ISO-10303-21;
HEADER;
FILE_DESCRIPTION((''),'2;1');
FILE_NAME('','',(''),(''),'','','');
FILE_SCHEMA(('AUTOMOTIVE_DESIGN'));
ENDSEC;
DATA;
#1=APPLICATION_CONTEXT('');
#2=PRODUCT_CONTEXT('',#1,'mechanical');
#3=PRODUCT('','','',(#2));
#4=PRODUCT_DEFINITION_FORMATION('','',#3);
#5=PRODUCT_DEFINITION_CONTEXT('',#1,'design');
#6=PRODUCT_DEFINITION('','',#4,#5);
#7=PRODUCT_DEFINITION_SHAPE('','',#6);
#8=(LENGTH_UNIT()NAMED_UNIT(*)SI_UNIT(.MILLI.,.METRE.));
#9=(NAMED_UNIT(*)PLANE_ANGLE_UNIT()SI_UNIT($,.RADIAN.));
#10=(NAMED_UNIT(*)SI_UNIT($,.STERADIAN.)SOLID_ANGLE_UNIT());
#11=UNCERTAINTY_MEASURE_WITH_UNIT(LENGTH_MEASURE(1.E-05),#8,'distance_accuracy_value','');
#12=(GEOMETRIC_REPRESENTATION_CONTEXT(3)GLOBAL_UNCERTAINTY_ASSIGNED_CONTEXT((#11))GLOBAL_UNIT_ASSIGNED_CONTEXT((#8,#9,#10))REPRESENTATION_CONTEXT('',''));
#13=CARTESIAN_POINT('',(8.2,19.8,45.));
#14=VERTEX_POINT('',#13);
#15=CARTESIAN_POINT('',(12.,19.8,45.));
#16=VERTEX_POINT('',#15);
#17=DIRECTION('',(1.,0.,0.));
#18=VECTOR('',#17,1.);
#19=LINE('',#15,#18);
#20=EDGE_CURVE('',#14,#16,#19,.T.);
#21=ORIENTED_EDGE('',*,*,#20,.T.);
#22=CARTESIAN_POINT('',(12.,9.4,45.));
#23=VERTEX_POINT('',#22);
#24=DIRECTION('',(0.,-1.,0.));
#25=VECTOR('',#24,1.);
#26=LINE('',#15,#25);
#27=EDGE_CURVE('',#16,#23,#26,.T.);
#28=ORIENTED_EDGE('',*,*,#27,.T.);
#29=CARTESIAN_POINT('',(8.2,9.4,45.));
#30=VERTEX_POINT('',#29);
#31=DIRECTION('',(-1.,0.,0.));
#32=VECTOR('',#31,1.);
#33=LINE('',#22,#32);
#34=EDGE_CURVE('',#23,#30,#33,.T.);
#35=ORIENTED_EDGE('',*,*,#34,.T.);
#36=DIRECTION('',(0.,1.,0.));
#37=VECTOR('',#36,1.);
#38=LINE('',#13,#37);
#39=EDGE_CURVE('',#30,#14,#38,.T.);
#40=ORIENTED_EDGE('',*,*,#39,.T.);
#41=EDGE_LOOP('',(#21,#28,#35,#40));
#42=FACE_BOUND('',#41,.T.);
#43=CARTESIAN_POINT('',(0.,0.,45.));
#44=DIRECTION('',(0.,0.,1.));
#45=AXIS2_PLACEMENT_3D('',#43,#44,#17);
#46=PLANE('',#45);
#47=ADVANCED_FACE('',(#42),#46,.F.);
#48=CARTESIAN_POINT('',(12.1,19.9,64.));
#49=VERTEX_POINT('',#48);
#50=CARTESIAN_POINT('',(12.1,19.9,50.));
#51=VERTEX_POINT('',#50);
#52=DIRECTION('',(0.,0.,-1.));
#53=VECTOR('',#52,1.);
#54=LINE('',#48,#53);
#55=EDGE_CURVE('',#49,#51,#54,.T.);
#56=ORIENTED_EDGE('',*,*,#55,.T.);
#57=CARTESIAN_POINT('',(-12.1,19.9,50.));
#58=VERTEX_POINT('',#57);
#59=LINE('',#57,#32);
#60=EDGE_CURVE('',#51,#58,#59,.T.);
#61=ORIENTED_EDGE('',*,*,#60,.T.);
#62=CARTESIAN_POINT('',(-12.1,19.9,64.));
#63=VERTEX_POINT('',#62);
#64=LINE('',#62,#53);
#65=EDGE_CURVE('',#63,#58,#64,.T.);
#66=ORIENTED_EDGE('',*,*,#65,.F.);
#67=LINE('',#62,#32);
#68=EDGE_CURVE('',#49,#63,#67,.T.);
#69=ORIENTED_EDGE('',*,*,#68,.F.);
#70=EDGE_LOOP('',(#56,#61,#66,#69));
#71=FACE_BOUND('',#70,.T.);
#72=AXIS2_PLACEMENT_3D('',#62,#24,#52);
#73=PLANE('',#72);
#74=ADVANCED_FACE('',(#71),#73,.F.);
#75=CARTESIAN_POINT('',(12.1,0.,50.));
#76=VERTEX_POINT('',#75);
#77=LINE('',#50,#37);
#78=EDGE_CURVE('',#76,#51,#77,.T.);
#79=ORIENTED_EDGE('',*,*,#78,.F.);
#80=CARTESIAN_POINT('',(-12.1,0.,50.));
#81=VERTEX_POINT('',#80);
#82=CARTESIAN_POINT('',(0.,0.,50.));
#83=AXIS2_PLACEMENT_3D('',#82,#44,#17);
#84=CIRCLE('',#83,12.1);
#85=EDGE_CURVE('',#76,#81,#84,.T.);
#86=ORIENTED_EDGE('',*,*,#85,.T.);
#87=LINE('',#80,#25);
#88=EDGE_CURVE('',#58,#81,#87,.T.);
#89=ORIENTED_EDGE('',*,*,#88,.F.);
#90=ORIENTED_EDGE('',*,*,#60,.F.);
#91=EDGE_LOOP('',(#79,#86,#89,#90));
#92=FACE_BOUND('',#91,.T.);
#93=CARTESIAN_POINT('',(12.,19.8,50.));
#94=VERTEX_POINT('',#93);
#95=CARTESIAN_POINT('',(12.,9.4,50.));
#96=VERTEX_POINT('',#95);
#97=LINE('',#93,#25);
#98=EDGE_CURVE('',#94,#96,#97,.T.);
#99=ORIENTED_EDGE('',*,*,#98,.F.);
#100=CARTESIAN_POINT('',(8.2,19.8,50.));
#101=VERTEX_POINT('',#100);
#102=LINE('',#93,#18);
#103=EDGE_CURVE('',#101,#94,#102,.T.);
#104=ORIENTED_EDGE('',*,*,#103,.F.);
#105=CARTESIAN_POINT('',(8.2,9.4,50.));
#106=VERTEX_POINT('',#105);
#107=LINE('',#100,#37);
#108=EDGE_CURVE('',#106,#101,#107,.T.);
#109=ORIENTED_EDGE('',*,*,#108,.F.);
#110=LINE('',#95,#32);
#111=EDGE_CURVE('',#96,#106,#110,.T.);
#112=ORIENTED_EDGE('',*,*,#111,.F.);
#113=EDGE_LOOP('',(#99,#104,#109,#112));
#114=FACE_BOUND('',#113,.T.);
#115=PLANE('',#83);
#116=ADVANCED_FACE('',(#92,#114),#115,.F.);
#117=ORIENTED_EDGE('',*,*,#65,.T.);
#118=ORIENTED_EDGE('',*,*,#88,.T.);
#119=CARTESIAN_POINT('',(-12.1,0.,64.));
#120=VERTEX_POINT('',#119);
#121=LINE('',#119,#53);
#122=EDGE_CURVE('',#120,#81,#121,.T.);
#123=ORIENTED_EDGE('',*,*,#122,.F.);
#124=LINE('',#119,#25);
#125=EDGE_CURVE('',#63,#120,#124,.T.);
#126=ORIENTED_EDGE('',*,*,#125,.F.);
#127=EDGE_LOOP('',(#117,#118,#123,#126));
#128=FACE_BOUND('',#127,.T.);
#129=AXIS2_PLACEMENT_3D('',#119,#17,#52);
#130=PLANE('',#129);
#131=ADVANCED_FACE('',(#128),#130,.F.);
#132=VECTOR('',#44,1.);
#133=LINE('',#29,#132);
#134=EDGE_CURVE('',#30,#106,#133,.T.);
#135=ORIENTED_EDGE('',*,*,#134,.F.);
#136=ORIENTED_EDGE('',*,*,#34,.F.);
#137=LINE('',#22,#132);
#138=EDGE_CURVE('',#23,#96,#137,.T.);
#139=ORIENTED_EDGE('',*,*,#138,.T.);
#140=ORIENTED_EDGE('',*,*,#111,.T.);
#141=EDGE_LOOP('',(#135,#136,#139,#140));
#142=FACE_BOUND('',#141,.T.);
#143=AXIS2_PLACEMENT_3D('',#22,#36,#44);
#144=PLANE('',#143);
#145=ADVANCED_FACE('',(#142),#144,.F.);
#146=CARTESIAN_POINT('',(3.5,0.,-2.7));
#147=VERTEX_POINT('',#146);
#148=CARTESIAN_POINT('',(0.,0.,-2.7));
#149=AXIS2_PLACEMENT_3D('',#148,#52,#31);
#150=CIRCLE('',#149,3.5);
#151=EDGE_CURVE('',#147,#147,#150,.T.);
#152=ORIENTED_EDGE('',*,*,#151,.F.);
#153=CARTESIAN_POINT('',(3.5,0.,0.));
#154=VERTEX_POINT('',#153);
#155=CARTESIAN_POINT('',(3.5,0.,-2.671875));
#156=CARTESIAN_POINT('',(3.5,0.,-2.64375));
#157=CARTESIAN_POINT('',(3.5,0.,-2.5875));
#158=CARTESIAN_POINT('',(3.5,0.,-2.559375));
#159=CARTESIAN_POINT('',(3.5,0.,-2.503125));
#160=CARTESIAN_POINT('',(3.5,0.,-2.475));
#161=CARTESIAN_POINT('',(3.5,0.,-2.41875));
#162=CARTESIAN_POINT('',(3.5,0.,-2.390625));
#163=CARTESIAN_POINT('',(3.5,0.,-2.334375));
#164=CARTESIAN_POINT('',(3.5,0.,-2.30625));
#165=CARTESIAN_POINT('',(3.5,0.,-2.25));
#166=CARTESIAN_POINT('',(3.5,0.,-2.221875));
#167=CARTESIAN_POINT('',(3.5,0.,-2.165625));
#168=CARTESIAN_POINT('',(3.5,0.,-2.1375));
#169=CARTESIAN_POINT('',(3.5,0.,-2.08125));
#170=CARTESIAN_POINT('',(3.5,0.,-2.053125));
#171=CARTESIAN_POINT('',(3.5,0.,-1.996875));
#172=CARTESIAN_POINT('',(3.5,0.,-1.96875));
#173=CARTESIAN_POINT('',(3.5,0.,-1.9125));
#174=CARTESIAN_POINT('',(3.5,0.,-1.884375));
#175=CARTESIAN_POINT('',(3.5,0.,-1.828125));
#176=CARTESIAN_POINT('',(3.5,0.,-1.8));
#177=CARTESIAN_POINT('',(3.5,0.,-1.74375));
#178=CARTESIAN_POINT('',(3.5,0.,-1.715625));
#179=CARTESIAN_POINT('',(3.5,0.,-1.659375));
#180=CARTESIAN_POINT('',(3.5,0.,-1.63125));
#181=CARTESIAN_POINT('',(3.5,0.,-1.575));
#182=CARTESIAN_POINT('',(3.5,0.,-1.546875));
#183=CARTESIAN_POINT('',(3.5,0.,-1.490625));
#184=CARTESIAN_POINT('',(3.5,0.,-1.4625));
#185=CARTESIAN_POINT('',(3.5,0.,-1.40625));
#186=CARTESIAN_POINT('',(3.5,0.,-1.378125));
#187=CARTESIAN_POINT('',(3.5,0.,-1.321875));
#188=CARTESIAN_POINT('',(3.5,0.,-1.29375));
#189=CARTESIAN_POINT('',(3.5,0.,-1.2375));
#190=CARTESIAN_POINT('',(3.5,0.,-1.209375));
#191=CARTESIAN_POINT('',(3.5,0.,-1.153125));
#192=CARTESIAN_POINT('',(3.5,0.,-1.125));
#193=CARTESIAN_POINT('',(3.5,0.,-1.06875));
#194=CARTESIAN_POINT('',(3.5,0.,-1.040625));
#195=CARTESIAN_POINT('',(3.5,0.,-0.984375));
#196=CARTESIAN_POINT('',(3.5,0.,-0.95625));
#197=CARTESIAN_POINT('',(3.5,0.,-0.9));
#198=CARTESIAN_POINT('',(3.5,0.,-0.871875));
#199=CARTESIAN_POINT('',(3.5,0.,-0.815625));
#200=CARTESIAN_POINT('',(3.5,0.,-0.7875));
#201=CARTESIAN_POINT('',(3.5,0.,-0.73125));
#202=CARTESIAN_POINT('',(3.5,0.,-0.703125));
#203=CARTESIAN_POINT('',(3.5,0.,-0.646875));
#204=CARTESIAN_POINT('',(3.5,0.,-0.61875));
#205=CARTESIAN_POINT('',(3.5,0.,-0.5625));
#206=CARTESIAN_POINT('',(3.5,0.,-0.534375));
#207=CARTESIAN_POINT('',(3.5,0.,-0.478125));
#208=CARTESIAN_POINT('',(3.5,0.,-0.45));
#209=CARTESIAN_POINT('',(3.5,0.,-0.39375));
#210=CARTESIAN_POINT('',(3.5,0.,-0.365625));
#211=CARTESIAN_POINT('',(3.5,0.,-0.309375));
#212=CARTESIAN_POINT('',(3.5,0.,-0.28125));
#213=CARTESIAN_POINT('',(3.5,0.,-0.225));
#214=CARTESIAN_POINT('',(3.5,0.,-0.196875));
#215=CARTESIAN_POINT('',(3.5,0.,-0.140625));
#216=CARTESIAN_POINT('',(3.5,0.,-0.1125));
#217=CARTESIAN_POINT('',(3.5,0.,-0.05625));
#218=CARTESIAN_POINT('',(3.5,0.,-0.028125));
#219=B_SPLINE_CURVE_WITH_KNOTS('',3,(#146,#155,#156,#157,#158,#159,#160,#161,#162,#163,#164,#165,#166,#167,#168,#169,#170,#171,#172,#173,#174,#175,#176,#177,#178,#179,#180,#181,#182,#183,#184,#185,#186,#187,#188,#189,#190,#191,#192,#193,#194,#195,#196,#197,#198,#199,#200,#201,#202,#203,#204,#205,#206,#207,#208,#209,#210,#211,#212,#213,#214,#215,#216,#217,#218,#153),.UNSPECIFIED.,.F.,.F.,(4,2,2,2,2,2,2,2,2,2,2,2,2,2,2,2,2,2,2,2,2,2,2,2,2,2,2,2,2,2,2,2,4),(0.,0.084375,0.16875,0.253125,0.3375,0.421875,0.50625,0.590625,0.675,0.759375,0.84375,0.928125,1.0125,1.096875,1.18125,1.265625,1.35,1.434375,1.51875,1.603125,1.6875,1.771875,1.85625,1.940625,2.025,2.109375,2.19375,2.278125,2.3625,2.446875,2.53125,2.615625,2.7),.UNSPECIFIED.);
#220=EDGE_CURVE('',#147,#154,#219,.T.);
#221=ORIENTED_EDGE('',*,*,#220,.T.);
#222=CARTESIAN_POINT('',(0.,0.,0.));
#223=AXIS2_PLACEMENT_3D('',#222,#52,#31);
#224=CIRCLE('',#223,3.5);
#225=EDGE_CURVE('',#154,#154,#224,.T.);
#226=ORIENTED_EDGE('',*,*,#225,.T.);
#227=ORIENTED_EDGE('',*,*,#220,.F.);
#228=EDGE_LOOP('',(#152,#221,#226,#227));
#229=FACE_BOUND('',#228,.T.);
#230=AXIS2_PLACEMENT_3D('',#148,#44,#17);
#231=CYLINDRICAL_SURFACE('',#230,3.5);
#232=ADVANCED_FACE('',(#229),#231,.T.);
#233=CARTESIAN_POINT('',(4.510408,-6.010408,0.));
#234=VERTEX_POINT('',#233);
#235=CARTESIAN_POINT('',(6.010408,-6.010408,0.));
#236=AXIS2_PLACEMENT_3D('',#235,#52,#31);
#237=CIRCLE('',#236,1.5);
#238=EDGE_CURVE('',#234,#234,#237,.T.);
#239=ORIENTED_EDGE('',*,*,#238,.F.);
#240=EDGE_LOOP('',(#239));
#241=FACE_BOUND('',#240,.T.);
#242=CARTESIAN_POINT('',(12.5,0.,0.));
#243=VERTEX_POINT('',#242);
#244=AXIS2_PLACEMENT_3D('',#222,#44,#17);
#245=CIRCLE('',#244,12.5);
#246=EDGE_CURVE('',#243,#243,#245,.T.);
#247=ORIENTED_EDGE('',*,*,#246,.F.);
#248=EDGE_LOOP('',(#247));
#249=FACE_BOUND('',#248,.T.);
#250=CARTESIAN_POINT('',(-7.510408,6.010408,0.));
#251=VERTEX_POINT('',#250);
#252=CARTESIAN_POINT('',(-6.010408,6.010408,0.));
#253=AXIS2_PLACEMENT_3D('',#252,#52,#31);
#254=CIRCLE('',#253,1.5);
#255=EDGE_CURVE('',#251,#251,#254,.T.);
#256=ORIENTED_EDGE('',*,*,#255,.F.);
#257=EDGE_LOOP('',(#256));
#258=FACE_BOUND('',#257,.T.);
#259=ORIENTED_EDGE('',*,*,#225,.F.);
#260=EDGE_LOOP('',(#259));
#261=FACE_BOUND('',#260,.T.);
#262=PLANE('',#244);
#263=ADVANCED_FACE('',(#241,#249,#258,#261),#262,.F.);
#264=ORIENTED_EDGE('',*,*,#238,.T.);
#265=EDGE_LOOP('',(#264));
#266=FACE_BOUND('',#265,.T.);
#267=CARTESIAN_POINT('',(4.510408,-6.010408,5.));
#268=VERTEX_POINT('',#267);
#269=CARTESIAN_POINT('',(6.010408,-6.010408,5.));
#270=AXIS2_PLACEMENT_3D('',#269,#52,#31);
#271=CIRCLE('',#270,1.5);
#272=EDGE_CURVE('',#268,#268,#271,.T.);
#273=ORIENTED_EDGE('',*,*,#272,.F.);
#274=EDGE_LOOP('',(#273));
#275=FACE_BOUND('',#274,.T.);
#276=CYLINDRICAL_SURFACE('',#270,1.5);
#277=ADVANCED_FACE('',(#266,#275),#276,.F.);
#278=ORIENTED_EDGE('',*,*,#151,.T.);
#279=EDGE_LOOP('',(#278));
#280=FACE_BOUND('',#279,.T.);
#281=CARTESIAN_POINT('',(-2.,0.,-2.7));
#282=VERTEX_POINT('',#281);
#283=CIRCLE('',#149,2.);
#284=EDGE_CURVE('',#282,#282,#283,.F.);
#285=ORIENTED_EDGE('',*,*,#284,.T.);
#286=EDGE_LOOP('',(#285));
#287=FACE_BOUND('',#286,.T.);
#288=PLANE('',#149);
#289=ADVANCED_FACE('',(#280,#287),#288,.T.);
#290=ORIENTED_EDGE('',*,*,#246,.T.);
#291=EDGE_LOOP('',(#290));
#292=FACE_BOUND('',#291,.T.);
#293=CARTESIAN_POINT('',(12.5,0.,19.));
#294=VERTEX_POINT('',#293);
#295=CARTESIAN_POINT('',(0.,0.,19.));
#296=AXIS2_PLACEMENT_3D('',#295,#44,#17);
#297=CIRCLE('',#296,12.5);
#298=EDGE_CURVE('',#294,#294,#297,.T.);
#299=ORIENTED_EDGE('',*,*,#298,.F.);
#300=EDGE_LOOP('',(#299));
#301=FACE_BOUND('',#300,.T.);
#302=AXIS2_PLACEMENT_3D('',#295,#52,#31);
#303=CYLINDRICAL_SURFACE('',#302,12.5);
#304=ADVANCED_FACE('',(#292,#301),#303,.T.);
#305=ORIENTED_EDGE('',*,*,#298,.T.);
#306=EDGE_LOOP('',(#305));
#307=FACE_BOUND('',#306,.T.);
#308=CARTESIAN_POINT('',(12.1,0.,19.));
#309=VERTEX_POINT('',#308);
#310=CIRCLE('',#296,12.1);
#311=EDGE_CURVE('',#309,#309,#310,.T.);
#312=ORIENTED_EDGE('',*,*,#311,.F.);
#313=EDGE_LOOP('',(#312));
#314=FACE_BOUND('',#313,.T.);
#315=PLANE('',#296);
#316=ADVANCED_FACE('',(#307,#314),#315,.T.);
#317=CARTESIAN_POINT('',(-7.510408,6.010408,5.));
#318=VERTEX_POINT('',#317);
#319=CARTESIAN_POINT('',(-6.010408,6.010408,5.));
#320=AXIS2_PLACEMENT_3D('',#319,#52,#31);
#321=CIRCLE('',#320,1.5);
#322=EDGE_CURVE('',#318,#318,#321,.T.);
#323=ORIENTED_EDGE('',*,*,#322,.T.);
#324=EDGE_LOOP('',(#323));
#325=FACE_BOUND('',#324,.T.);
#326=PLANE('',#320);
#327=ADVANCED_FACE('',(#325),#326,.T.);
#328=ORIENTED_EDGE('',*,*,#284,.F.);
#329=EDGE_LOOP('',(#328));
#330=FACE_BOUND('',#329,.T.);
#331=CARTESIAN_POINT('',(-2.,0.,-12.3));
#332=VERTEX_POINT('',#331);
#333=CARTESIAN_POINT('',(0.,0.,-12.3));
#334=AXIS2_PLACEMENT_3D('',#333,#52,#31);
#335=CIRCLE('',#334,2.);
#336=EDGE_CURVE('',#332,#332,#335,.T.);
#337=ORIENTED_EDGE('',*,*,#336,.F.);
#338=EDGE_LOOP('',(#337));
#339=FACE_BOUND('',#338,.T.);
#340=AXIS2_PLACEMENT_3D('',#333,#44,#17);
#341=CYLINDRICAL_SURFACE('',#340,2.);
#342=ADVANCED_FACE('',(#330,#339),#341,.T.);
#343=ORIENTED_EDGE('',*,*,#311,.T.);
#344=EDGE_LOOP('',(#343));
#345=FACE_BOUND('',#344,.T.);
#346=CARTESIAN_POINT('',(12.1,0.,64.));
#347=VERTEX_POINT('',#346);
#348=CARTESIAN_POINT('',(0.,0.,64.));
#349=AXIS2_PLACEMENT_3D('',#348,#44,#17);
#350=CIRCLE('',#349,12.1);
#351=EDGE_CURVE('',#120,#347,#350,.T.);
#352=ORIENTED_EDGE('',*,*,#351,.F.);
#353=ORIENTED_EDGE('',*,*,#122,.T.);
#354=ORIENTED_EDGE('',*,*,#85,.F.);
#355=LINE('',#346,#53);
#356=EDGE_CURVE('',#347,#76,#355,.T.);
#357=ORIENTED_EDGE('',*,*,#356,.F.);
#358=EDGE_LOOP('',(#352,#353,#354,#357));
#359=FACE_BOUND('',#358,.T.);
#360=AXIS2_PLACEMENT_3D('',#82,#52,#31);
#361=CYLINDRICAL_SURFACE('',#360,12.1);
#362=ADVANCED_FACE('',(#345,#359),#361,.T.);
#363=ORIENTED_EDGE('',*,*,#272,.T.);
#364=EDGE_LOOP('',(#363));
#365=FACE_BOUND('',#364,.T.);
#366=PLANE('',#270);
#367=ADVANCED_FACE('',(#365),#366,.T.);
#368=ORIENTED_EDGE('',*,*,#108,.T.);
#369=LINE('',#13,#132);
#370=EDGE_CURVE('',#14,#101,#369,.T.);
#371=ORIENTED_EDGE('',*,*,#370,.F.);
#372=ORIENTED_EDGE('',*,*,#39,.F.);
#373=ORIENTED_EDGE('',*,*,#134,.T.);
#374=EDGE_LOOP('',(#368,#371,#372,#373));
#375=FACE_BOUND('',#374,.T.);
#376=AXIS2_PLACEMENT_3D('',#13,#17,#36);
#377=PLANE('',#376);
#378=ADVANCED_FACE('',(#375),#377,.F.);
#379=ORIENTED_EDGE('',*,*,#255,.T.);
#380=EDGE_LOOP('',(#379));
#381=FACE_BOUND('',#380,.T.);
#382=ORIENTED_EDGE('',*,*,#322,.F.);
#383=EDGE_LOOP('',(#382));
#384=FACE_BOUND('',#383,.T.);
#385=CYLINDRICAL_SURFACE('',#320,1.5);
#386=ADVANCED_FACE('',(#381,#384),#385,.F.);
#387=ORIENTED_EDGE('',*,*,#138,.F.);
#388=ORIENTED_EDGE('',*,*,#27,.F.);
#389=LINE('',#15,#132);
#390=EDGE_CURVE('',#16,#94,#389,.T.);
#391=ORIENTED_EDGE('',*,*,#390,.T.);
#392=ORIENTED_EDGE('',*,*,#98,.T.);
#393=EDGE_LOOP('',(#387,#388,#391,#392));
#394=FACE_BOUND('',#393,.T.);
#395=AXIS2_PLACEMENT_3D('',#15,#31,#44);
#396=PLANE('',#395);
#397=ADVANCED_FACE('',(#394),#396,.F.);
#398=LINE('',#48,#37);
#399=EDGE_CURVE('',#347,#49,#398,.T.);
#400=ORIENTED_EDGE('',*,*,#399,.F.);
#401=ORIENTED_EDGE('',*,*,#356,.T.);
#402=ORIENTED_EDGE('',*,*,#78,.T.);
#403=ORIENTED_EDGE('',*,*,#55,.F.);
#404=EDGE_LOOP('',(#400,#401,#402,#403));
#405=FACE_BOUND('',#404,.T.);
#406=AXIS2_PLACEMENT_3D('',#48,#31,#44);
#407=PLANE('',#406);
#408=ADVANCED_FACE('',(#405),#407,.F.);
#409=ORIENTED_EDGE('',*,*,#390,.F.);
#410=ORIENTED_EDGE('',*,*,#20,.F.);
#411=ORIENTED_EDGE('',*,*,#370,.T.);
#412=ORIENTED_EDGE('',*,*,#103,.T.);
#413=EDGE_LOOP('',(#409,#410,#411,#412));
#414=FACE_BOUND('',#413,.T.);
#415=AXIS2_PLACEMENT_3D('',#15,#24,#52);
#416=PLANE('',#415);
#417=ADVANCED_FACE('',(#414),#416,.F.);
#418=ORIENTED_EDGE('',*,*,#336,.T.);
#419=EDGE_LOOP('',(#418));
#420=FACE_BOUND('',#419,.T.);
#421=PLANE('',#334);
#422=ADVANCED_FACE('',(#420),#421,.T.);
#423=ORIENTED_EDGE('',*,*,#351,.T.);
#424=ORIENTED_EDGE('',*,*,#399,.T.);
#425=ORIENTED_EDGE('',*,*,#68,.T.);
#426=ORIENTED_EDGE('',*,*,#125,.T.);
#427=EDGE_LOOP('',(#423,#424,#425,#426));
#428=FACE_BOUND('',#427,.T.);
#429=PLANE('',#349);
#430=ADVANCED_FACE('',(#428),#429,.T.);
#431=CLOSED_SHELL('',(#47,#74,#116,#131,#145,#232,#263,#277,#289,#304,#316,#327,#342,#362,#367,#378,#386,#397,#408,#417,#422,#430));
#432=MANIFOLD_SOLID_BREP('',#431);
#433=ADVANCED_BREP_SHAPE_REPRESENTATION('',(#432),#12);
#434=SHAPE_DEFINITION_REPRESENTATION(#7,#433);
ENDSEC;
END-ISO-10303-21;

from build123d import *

# Parameters (mm, degrees)
SKETCH1_R           = 12.5
BOSS_EXTRUDE1_DEPTH = 19
SKETCH2_R           = 12.1
BOSS_EXTRUDE2_DEPTH = 31
BOSS_EXTRUDE3_DEPTH = 14
SKETCH4_W           = 3.8
SKETCH4_H           = 10.4
BOSS_EXTRUDE4_DEPTH = 5
SKETCH5_R           = 3.5
BOSS_EXTRUDE5_DEPTH = 2.7
SKETCH6_R           = 2
BOSS_EXTRUDE6_DEPTH = 12.3
SKETCH7_R           = 1.5
CUT_EXTRUDE1_DEPTH  = 5


with BuildPart() as part:
    # Sketch1 → Boss-Extrude1 (new body)
    with BuildSketch(Plane.XY):
        Circle(SKETCH1_R)
    extrude(amount=BOSS_EXTRUDE1_DEPTH)

    # Sketch2 → Boss-Extrude2 (add)
    with BuildSketch(Plane.XY.offset(19)):
        Circle(SKETCH2_R)
    extrude(amount=BOSS_EXTRUDE2_DEPTH)

    # Sketch3 → Boss-Extrude3 (add)
    with BuildSketch(Plane.XY.offset(50)):
        with BuildLine():
            Line((-12.1, 0), (-12.1, 19.9))
            Line((-12.1, 19.9), (12.1, 19.9))
            Line((12.1, 19.9), (12.1, 0))
            ThreePointArc((12.1, 0), (0, -12.1), (-12.1, 0))
        make_face()
    extrude(amount=BOSS_EXTRUDE3_DEPTH)

    # Sketch4 → Boss-Extrude4 (add)
    with BuildSketch(Plane(origin=(0, 0, 50), x_dir=(-1, 0, 0), z_dir=(0, 0, -1))):
        with Locations((-10.1, 14.6)):
            Rectangle(SKETCH4_W, SKETCH4_H)
    extrude(amount=BOSS_EXTRUDE4_DEPTH)

    # Sketch5 → Boss-Extrude5 (add)
    with BuildSketch(Plane(origin=(0, 0, 0), x_dir=(-1, 0, 0), z_dir=(0, 0, -1))):
        with Locations(Location((0, 0, 0), (0, 0, 180))):
            Circle(SKETCH5_R)
    extrude(amount=BOSS_EXTRUDE5_DEPTH)

    # Sketch6 → Boss-Extrude6 (add)
    with BuildSketch(Plane(origin=(0, 0, 0), x_dir=(-1, 0, 0), z_dir=(0, 0, -1))):
        Circle(SKETCH6_R)
    extrude(amount=BOSS_EXTRUDE6_DEPTH)

    # Sketch7 → Cut-Extrude1 (cut)
    with BuildSketch(Plane(origin=(0, 0, 0), x_dir=(-1, 0, 0), z_dir=(0, 0, -1))):
        with Locations((6.01040764, 6.01040764)):
            Circle(SKETCH7_R)
        with Locations((-6.01040764, -6.01040764)):
            Circle(SKETCH7_R)
    extrude(amount=-CUT_EXTRUDE1_DEPTH, mode=Mode.SUBTRACT)


solid = part.part
